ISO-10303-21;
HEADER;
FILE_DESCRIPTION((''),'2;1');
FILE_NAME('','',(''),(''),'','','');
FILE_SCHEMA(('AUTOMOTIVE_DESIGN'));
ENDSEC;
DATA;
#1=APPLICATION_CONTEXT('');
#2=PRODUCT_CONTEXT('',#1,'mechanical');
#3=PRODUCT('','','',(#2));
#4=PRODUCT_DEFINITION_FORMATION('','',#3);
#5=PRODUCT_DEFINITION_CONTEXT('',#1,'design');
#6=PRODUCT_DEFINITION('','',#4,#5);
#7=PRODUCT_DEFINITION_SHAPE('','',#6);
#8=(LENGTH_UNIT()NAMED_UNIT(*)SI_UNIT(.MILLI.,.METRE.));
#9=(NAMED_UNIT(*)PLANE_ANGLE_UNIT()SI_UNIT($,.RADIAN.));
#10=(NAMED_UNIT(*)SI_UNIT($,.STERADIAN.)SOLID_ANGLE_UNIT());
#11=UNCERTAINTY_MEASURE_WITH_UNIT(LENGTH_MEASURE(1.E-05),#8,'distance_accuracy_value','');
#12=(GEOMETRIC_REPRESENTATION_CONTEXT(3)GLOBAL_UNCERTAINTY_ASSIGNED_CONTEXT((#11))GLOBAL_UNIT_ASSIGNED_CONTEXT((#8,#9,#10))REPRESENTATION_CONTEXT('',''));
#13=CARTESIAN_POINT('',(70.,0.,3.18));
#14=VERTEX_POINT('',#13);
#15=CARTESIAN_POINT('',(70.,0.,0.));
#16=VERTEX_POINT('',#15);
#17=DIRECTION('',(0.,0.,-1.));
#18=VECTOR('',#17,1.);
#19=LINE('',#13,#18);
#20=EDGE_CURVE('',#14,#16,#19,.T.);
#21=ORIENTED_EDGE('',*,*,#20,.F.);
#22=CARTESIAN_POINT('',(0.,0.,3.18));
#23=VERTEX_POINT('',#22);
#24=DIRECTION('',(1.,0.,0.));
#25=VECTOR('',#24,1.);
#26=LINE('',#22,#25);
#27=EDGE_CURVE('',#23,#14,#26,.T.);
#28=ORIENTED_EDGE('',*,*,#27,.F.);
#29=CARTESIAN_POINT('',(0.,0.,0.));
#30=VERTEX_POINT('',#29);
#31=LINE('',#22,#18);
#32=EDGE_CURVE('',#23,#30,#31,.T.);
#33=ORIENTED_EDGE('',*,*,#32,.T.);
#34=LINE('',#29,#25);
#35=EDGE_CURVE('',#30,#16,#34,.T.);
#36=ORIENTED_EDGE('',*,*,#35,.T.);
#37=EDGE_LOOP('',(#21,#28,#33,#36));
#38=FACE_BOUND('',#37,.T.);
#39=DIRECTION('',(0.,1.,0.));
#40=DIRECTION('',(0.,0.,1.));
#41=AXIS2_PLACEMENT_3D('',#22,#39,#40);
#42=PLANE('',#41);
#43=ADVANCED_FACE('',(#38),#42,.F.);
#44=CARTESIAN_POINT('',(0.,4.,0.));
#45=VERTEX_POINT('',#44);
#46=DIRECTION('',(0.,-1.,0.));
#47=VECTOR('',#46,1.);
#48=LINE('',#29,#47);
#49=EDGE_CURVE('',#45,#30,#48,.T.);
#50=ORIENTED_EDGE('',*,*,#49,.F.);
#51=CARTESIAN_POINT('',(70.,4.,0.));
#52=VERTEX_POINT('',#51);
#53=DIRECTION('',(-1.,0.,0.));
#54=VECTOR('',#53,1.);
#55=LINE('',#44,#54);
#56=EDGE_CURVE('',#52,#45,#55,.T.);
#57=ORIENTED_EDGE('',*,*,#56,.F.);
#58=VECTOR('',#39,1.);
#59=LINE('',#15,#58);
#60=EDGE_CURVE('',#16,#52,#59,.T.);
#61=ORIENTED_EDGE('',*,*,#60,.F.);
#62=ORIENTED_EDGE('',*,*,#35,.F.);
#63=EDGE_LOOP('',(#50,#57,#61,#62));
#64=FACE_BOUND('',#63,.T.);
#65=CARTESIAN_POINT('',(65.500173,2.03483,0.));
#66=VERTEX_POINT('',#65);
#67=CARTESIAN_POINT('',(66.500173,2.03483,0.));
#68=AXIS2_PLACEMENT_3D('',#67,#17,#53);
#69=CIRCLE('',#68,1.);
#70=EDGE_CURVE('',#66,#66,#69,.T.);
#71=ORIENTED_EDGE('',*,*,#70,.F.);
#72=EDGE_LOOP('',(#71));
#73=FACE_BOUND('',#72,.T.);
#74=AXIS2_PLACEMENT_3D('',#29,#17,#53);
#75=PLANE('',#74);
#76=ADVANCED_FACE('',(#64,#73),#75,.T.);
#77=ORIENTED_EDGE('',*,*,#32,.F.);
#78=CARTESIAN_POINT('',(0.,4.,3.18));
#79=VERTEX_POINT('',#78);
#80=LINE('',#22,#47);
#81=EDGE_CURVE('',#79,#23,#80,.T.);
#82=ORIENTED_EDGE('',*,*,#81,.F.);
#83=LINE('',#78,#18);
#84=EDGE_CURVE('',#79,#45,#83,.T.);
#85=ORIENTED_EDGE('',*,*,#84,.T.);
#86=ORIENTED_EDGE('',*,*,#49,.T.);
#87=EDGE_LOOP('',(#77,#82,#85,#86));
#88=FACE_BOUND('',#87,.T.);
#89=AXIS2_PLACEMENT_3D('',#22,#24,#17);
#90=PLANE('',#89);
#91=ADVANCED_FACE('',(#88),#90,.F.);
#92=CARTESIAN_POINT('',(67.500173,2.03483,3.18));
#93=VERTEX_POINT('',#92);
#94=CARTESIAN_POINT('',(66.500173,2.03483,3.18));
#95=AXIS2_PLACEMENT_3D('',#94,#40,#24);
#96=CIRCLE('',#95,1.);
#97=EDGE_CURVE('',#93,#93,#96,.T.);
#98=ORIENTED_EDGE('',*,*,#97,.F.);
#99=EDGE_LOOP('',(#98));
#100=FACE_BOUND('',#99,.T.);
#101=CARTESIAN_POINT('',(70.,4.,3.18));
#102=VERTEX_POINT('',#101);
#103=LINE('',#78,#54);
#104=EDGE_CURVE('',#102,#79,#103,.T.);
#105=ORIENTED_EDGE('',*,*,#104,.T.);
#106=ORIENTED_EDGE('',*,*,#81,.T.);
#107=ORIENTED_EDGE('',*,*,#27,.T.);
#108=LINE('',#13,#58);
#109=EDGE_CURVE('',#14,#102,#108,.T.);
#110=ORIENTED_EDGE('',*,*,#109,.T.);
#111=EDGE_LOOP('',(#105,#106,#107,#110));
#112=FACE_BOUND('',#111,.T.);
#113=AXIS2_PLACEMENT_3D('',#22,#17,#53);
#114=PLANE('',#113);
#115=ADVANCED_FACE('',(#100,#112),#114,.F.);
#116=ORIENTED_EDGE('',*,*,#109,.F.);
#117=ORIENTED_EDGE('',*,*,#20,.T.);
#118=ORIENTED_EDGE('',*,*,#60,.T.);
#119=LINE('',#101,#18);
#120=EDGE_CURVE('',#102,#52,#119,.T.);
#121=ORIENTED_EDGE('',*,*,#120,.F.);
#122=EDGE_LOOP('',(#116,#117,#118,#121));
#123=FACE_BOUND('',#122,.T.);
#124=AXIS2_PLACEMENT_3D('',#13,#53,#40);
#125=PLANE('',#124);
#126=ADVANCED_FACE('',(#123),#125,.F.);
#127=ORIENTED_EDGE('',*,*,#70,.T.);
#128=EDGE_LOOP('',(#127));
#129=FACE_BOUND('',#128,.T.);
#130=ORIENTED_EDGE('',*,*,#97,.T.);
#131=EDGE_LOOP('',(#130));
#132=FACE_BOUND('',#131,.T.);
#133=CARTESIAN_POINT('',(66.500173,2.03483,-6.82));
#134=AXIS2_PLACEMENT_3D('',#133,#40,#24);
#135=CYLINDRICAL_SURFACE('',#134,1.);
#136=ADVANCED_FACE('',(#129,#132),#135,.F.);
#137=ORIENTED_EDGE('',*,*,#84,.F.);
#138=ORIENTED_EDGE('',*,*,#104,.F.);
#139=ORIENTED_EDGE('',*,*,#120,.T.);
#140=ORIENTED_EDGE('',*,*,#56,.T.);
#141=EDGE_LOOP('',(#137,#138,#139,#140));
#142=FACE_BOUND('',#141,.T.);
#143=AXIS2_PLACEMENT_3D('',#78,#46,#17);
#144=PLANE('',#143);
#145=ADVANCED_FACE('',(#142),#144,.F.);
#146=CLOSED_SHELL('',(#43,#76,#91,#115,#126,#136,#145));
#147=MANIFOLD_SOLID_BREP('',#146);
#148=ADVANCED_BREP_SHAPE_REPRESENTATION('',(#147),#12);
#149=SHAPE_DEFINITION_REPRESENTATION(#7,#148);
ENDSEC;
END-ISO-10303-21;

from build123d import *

# Parameters (mm, degrees)
SKETCH2_W           = 70
SKETCH2_H           = 4
BOSS_EXTRUDE1_DEPTH = 3.18
SKETCH4_R           = 1
CUT_EXTRUDE1_DEPTH  = 10


with BuildPart() as part:
    # Sketch2 → Boss-Extrude1 (new body)
    with BuildSketch(Plane.XY):
        with Locations((35, 2)):
            Rectangle(SKETCH2_W, SKETCH2_H)
    extrude(amount=BOSS_EXTRUDE1_DEPTH)

    # Sketch4 → Cut-Extrude1 (cut)
    with BuildSketch(Plane.XY.offset(3.18)):
        with Locations((66.500173303, 2.034829504)):
            Circle(SKETCH4_R)
    extrude(amount=-CUT_EXTRUDE1_DEPTH, mode=Mode.SUBTRACT)


solid = part.part
